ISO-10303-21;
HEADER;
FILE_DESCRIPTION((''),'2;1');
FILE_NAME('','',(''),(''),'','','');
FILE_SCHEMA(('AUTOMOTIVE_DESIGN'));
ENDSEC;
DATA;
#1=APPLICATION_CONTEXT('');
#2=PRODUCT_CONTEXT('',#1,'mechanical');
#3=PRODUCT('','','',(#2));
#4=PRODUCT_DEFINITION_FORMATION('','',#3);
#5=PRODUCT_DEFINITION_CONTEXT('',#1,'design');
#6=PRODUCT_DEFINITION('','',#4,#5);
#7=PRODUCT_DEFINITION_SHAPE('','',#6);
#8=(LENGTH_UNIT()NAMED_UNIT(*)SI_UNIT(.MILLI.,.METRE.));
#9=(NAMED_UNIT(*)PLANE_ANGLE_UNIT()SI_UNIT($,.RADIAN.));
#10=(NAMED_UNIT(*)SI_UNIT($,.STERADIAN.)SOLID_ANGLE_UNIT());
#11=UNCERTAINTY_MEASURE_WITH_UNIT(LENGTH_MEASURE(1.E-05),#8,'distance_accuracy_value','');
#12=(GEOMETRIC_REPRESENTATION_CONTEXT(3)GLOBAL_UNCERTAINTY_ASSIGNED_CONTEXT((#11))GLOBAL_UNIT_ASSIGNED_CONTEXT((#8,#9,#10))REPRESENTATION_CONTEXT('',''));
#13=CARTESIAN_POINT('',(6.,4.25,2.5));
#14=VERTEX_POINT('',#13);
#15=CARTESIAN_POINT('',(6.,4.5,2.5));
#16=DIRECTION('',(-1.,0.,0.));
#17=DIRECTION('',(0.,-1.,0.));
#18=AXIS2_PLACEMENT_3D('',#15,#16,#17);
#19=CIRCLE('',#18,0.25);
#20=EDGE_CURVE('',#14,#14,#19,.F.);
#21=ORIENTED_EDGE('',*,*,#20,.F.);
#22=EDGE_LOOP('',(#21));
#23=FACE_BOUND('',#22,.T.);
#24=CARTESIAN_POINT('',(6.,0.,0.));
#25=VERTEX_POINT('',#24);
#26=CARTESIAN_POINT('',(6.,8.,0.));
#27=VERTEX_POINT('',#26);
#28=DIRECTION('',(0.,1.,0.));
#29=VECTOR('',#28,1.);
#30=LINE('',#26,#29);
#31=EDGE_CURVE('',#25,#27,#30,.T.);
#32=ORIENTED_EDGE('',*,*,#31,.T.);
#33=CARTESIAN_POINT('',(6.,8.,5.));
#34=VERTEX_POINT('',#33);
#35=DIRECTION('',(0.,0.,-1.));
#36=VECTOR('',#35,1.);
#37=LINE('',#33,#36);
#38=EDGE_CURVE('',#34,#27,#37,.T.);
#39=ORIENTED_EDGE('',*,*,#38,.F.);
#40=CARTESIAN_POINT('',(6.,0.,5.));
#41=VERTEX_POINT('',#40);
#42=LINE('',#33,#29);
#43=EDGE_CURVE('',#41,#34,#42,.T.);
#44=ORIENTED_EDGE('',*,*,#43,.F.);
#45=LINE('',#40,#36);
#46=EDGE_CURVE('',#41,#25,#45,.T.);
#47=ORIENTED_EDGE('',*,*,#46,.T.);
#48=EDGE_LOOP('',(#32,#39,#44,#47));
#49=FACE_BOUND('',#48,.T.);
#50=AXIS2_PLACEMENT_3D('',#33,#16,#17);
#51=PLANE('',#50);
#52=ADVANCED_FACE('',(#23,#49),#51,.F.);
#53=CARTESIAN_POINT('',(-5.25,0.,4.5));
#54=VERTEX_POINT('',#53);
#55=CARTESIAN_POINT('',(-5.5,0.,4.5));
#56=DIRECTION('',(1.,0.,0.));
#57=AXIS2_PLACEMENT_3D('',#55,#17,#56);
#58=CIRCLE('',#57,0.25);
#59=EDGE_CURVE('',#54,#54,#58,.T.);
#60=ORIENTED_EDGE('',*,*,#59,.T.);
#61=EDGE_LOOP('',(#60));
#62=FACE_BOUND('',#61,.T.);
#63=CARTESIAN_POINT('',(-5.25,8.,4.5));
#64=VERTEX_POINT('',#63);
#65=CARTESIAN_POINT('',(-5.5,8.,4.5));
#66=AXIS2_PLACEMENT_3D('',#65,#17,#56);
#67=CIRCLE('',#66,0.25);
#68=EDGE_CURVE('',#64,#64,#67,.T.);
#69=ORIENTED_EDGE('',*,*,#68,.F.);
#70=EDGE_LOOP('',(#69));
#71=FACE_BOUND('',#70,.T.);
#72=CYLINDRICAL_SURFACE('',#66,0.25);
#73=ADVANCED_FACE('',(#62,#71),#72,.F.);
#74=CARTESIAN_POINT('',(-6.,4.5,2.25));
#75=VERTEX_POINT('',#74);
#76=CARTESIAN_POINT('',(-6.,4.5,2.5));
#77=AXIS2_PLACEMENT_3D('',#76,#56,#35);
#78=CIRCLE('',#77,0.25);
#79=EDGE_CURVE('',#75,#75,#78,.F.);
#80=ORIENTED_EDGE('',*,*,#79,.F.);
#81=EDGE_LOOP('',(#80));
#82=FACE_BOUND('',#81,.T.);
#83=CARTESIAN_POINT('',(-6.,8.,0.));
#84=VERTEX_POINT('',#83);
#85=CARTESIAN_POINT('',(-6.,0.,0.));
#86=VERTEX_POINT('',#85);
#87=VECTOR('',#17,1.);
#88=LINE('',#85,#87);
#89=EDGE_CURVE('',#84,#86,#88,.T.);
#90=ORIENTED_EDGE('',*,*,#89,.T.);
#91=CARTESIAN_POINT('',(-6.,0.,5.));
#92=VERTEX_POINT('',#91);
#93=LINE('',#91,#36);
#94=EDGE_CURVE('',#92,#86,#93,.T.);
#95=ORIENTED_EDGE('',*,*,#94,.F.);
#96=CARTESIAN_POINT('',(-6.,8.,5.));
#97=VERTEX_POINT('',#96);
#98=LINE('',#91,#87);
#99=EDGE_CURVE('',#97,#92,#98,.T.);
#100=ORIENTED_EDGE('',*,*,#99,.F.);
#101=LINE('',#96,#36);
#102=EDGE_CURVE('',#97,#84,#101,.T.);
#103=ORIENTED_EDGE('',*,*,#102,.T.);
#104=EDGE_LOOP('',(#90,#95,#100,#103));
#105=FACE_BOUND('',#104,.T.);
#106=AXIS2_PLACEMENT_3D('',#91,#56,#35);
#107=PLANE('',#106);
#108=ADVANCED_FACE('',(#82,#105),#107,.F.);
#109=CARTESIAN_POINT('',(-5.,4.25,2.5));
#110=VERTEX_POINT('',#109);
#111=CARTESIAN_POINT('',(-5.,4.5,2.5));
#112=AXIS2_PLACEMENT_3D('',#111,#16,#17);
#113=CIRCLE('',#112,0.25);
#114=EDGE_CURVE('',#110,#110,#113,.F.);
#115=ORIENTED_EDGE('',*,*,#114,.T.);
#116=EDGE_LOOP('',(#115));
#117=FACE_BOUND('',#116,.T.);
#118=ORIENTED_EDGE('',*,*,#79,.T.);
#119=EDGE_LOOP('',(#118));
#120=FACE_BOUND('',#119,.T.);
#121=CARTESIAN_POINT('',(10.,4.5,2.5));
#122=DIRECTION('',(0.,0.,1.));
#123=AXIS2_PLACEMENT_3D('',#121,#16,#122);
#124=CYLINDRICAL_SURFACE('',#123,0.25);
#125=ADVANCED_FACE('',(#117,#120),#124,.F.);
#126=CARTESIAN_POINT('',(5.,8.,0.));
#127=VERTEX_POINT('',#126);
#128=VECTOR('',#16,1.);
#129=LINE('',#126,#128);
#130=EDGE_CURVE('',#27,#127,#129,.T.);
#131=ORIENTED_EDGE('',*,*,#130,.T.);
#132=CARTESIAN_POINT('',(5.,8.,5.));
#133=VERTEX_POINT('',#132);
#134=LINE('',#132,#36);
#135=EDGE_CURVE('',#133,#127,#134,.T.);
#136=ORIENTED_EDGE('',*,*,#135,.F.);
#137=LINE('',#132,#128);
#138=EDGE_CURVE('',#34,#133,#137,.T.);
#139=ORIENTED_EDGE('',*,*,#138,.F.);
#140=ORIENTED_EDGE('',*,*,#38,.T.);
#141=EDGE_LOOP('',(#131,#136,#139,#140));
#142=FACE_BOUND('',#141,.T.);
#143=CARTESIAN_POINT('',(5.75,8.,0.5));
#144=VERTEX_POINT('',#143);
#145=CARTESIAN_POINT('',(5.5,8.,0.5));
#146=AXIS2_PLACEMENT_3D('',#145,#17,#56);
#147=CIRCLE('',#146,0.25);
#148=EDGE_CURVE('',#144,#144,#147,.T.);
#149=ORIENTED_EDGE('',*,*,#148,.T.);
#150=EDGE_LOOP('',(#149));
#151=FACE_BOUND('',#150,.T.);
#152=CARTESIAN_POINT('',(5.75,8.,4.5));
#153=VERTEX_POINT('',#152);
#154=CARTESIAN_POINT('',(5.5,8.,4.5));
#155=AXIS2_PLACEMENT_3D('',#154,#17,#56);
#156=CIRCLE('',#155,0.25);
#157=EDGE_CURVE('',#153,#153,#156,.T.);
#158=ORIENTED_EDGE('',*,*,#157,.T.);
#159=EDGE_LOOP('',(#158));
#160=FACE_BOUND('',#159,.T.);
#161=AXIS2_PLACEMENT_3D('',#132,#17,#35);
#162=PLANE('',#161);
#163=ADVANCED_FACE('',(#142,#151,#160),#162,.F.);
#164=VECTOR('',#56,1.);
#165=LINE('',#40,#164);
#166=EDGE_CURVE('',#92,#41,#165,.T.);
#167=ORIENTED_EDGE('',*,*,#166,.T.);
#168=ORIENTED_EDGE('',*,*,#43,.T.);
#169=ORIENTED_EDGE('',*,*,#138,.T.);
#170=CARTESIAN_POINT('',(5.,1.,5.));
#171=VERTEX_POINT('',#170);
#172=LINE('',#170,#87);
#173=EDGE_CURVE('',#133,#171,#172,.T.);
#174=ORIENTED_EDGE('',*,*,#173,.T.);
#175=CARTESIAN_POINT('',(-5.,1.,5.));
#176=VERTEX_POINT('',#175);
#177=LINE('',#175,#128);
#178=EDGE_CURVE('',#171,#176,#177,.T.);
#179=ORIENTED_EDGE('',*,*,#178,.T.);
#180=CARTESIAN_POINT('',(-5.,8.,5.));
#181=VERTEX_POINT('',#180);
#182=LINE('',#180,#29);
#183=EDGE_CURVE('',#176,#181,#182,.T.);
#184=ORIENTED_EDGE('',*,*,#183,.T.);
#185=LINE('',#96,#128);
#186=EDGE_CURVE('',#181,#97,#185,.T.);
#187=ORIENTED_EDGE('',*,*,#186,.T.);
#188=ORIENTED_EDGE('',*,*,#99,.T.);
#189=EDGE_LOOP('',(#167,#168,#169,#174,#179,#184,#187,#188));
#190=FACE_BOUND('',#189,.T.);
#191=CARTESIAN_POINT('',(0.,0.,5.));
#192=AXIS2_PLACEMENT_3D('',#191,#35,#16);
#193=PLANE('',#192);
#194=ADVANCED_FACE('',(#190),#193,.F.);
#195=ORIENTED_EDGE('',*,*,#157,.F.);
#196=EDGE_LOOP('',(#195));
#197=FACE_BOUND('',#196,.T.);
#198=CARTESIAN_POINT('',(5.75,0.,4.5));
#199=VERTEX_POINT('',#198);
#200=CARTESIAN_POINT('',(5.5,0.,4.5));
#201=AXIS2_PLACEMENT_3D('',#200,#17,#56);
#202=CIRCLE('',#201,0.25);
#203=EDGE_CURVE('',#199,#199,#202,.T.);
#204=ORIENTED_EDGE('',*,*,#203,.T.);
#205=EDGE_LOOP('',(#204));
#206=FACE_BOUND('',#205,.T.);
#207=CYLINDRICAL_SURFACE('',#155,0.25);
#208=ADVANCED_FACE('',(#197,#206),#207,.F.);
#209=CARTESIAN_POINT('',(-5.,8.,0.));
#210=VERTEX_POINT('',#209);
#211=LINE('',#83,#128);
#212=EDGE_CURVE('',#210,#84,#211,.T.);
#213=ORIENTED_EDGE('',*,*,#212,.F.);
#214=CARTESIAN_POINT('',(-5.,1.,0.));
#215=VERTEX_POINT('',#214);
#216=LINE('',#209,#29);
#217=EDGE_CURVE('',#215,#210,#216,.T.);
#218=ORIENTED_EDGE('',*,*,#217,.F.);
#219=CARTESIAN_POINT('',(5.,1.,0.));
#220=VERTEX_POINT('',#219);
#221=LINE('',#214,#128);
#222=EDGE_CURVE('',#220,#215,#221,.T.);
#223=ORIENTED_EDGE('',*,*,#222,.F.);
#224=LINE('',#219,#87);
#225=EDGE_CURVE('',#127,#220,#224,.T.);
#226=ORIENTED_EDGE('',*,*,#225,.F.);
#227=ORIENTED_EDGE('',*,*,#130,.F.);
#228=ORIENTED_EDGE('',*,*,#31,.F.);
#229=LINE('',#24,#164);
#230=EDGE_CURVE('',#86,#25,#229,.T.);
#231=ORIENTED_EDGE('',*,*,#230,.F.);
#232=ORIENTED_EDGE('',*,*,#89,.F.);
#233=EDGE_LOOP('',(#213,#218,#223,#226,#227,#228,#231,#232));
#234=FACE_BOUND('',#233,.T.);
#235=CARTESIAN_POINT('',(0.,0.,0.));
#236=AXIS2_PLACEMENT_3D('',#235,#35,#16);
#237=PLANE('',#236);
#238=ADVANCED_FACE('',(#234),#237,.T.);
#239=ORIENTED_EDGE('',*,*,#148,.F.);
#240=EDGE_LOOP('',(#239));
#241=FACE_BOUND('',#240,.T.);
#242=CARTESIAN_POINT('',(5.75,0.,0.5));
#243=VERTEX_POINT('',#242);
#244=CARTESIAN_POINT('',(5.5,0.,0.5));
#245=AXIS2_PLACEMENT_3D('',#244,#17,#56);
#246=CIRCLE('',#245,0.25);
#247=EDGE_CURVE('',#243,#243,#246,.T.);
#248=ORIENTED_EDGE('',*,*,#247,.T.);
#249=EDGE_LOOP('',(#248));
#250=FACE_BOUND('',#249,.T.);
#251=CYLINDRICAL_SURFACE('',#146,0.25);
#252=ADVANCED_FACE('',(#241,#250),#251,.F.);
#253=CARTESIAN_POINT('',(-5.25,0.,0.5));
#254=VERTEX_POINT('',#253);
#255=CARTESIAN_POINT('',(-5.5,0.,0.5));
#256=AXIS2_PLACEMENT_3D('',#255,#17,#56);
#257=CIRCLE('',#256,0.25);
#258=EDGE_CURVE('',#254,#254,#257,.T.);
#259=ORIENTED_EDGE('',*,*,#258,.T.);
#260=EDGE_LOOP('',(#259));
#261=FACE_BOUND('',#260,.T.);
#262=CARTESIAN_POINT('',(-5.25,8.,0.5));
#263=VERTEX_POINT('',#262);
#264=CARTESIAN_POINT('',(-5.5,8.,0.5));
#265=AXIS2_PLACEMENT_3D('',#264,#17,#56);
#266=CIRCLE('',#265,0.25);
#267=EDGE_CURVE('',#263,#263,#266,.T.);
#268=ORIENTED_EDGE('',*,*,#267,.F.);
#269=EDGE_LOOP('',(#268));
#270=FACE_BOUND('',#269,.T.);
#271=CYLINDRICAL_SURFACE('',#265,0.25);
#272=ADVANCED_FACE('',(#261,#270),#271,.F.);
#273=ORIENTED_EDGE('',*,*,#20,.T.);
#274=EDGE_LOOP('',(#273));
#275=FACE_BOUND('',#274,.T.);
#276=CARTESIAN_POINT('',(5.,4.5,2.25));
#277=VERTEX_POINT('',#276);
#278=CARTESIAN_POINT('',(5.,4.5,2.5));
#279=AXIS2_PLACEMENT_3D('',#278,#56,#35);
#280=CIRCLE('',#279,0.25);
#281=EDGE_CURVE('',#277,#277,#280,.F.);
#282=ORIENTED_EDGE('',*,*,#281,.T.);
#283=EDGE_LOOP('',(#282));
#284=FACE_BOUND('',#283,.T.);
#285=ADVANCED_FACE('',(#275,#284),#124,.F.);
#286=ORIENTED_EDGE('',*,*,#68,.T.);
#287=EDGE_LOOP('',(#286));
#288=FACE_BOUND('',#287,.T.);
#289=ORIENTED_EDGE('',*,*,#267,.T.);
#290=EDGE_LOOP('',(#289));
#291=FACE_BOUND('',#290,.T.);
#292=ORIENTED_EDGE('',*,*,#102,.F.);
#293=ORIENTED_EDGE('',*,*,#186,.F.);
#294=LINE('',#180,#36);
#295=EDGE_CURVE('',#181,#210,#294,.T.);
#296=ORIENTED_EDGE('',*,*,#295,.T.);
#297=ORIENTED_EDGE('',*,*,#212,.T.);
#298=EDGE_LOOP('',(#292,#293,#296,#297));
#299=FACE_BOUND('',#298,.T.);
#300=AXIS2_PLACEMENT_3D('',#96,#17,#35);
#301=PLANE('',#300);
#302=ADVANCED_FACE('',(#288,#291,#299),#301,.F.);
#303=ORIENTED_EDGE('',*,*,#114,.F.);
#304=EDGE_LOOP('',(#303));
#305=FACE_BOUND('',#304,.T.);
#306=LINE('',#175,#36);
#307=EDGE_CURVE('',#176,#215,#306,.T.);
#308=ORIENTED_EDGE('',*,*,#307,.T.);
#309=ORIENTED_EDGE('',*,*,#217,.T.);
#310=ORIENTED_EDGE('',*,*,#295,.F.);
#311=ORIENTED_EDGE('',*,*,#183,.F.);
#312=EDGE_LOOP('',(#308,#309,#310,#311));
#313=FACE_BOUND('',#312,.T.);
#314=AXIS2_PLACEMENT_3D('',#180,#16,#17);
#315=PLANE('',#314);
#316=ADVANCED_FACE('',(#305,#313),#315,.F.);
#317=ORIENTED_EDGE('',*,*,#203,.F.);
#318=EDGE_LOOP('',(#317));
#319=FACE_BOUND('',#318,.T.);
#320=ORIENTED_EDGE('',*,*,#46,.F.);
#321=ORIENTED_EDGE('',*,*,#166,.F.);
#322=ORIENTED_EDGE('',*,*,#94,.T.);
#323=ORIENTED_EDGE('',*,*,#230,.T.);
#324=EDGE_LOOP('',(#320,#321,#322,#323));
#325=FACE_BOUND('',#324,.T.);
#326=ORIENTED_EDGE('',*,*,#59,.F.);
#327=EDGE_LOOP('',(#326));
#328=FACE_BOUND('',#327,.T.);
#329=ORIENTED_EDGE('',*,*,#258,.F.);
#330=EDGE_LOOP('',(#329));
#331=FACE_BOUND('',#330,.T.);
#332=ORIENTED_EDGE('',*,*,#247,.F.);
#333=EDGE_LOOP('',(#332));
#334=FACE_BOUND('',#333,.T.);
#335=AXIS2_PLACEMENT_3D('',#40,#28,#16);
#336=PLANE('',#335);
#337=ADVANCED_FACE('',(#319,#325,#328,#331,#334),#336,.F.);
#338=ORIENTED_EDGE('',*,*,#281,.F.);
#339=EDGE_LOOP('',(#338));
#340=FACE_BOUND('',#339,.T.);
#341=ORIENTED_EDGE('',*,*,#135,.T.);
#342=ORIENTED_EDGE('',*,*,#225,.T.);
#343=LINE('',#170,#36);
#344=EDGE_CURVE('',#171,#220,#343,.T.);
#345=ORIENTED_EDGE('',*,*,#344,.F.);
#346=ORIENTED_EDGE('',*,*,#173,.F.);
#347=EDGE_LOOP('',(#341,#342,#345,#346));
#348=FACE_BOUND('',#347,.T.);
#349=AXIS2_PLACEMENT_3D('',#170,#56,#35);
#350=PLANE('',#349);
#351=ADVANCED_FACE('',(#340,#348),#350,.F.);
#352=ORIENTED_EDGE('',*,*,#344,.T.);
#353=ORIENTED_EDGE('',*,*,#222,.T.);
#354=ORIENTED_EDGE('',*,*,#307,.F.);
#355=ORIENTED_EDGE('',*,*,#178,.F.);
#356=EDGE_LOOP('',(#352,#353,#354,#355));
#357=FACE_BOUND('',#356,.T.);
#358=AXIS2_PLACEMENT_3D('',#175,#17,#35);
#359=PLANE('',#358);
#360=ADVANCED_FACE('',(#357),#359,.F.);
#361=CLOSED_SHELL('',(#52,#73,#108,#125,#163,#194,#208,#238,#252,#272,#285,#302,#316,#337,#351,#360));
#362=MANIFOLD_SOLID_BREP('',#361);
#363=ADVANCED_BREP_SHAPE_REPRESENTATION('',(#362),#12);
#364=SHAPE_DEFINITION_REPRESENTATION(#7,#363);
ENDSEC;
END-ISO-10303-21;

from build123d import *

# Parameters (mm, degrees)
BOSS_EXTRUDE1_DEPTH     = 5
SKETCH2_R               = 0.25
CUT_EXTRUDE1_DEPTH      = 9
SKETCH4_R               = 0.25
CUT_EXTRUDE2_DEPTH      = 10
CUT_EXTRUDE2_DEPTH_BACK = 10


with BuildPart() as part:
    # Sketch1 → Boss-Extrude1 (new body)
    with BuildSketch(Plane.XY):
        Polygon((-6, 8), (-5, 8), (-5, 1), (5, 1), (5, 8), (6, 8), (6, 0), (-6, 0), align=None)
    extrude(amount=BOSS_EXTRUDE1_DEPTH)

    # Sketch2 → Cut-Extrude1 (cut, through all)
    with BuildSketch(Plane.XZ):
        with Locations((-5.5, 4.5)):
            Circle(SKETCH2_R)
        with Locations((-5.5, 0.5)):
            Circle(SKETCH2_R)
        with Locations((5.5, 4.5)):
            Circle(SKETCH2_R)
        with Locations((5.5, 0.5)):
            Circle(SKETCH2_R)
    extrude(amount=-CUT_EXTRUDE1_DEPTH, mode=Mode.SUBTRACT)

    # Sketch4 → Cut-Extrude2 (cut, two sides)
    with BuildSketch(Plane(origin=(0, 0, 0), x_dir=(0, 0, -1), z_dir=(1, 0, 0))) as cut_extrude2_sk:
        with Locations((-2.5, 4.5)):
            Circle(SKETCH4_R)
    extrude(amount=CUT_EXTRUDE2_DEPTH, mode=Mode.SUBTRACT)
    extrude(cut_extrude2_sk.sketch, amount=-CUT_EXTRUDE2_DEPTH_BACK, mode=Mode.SUBTRACT)


solid = part.part
